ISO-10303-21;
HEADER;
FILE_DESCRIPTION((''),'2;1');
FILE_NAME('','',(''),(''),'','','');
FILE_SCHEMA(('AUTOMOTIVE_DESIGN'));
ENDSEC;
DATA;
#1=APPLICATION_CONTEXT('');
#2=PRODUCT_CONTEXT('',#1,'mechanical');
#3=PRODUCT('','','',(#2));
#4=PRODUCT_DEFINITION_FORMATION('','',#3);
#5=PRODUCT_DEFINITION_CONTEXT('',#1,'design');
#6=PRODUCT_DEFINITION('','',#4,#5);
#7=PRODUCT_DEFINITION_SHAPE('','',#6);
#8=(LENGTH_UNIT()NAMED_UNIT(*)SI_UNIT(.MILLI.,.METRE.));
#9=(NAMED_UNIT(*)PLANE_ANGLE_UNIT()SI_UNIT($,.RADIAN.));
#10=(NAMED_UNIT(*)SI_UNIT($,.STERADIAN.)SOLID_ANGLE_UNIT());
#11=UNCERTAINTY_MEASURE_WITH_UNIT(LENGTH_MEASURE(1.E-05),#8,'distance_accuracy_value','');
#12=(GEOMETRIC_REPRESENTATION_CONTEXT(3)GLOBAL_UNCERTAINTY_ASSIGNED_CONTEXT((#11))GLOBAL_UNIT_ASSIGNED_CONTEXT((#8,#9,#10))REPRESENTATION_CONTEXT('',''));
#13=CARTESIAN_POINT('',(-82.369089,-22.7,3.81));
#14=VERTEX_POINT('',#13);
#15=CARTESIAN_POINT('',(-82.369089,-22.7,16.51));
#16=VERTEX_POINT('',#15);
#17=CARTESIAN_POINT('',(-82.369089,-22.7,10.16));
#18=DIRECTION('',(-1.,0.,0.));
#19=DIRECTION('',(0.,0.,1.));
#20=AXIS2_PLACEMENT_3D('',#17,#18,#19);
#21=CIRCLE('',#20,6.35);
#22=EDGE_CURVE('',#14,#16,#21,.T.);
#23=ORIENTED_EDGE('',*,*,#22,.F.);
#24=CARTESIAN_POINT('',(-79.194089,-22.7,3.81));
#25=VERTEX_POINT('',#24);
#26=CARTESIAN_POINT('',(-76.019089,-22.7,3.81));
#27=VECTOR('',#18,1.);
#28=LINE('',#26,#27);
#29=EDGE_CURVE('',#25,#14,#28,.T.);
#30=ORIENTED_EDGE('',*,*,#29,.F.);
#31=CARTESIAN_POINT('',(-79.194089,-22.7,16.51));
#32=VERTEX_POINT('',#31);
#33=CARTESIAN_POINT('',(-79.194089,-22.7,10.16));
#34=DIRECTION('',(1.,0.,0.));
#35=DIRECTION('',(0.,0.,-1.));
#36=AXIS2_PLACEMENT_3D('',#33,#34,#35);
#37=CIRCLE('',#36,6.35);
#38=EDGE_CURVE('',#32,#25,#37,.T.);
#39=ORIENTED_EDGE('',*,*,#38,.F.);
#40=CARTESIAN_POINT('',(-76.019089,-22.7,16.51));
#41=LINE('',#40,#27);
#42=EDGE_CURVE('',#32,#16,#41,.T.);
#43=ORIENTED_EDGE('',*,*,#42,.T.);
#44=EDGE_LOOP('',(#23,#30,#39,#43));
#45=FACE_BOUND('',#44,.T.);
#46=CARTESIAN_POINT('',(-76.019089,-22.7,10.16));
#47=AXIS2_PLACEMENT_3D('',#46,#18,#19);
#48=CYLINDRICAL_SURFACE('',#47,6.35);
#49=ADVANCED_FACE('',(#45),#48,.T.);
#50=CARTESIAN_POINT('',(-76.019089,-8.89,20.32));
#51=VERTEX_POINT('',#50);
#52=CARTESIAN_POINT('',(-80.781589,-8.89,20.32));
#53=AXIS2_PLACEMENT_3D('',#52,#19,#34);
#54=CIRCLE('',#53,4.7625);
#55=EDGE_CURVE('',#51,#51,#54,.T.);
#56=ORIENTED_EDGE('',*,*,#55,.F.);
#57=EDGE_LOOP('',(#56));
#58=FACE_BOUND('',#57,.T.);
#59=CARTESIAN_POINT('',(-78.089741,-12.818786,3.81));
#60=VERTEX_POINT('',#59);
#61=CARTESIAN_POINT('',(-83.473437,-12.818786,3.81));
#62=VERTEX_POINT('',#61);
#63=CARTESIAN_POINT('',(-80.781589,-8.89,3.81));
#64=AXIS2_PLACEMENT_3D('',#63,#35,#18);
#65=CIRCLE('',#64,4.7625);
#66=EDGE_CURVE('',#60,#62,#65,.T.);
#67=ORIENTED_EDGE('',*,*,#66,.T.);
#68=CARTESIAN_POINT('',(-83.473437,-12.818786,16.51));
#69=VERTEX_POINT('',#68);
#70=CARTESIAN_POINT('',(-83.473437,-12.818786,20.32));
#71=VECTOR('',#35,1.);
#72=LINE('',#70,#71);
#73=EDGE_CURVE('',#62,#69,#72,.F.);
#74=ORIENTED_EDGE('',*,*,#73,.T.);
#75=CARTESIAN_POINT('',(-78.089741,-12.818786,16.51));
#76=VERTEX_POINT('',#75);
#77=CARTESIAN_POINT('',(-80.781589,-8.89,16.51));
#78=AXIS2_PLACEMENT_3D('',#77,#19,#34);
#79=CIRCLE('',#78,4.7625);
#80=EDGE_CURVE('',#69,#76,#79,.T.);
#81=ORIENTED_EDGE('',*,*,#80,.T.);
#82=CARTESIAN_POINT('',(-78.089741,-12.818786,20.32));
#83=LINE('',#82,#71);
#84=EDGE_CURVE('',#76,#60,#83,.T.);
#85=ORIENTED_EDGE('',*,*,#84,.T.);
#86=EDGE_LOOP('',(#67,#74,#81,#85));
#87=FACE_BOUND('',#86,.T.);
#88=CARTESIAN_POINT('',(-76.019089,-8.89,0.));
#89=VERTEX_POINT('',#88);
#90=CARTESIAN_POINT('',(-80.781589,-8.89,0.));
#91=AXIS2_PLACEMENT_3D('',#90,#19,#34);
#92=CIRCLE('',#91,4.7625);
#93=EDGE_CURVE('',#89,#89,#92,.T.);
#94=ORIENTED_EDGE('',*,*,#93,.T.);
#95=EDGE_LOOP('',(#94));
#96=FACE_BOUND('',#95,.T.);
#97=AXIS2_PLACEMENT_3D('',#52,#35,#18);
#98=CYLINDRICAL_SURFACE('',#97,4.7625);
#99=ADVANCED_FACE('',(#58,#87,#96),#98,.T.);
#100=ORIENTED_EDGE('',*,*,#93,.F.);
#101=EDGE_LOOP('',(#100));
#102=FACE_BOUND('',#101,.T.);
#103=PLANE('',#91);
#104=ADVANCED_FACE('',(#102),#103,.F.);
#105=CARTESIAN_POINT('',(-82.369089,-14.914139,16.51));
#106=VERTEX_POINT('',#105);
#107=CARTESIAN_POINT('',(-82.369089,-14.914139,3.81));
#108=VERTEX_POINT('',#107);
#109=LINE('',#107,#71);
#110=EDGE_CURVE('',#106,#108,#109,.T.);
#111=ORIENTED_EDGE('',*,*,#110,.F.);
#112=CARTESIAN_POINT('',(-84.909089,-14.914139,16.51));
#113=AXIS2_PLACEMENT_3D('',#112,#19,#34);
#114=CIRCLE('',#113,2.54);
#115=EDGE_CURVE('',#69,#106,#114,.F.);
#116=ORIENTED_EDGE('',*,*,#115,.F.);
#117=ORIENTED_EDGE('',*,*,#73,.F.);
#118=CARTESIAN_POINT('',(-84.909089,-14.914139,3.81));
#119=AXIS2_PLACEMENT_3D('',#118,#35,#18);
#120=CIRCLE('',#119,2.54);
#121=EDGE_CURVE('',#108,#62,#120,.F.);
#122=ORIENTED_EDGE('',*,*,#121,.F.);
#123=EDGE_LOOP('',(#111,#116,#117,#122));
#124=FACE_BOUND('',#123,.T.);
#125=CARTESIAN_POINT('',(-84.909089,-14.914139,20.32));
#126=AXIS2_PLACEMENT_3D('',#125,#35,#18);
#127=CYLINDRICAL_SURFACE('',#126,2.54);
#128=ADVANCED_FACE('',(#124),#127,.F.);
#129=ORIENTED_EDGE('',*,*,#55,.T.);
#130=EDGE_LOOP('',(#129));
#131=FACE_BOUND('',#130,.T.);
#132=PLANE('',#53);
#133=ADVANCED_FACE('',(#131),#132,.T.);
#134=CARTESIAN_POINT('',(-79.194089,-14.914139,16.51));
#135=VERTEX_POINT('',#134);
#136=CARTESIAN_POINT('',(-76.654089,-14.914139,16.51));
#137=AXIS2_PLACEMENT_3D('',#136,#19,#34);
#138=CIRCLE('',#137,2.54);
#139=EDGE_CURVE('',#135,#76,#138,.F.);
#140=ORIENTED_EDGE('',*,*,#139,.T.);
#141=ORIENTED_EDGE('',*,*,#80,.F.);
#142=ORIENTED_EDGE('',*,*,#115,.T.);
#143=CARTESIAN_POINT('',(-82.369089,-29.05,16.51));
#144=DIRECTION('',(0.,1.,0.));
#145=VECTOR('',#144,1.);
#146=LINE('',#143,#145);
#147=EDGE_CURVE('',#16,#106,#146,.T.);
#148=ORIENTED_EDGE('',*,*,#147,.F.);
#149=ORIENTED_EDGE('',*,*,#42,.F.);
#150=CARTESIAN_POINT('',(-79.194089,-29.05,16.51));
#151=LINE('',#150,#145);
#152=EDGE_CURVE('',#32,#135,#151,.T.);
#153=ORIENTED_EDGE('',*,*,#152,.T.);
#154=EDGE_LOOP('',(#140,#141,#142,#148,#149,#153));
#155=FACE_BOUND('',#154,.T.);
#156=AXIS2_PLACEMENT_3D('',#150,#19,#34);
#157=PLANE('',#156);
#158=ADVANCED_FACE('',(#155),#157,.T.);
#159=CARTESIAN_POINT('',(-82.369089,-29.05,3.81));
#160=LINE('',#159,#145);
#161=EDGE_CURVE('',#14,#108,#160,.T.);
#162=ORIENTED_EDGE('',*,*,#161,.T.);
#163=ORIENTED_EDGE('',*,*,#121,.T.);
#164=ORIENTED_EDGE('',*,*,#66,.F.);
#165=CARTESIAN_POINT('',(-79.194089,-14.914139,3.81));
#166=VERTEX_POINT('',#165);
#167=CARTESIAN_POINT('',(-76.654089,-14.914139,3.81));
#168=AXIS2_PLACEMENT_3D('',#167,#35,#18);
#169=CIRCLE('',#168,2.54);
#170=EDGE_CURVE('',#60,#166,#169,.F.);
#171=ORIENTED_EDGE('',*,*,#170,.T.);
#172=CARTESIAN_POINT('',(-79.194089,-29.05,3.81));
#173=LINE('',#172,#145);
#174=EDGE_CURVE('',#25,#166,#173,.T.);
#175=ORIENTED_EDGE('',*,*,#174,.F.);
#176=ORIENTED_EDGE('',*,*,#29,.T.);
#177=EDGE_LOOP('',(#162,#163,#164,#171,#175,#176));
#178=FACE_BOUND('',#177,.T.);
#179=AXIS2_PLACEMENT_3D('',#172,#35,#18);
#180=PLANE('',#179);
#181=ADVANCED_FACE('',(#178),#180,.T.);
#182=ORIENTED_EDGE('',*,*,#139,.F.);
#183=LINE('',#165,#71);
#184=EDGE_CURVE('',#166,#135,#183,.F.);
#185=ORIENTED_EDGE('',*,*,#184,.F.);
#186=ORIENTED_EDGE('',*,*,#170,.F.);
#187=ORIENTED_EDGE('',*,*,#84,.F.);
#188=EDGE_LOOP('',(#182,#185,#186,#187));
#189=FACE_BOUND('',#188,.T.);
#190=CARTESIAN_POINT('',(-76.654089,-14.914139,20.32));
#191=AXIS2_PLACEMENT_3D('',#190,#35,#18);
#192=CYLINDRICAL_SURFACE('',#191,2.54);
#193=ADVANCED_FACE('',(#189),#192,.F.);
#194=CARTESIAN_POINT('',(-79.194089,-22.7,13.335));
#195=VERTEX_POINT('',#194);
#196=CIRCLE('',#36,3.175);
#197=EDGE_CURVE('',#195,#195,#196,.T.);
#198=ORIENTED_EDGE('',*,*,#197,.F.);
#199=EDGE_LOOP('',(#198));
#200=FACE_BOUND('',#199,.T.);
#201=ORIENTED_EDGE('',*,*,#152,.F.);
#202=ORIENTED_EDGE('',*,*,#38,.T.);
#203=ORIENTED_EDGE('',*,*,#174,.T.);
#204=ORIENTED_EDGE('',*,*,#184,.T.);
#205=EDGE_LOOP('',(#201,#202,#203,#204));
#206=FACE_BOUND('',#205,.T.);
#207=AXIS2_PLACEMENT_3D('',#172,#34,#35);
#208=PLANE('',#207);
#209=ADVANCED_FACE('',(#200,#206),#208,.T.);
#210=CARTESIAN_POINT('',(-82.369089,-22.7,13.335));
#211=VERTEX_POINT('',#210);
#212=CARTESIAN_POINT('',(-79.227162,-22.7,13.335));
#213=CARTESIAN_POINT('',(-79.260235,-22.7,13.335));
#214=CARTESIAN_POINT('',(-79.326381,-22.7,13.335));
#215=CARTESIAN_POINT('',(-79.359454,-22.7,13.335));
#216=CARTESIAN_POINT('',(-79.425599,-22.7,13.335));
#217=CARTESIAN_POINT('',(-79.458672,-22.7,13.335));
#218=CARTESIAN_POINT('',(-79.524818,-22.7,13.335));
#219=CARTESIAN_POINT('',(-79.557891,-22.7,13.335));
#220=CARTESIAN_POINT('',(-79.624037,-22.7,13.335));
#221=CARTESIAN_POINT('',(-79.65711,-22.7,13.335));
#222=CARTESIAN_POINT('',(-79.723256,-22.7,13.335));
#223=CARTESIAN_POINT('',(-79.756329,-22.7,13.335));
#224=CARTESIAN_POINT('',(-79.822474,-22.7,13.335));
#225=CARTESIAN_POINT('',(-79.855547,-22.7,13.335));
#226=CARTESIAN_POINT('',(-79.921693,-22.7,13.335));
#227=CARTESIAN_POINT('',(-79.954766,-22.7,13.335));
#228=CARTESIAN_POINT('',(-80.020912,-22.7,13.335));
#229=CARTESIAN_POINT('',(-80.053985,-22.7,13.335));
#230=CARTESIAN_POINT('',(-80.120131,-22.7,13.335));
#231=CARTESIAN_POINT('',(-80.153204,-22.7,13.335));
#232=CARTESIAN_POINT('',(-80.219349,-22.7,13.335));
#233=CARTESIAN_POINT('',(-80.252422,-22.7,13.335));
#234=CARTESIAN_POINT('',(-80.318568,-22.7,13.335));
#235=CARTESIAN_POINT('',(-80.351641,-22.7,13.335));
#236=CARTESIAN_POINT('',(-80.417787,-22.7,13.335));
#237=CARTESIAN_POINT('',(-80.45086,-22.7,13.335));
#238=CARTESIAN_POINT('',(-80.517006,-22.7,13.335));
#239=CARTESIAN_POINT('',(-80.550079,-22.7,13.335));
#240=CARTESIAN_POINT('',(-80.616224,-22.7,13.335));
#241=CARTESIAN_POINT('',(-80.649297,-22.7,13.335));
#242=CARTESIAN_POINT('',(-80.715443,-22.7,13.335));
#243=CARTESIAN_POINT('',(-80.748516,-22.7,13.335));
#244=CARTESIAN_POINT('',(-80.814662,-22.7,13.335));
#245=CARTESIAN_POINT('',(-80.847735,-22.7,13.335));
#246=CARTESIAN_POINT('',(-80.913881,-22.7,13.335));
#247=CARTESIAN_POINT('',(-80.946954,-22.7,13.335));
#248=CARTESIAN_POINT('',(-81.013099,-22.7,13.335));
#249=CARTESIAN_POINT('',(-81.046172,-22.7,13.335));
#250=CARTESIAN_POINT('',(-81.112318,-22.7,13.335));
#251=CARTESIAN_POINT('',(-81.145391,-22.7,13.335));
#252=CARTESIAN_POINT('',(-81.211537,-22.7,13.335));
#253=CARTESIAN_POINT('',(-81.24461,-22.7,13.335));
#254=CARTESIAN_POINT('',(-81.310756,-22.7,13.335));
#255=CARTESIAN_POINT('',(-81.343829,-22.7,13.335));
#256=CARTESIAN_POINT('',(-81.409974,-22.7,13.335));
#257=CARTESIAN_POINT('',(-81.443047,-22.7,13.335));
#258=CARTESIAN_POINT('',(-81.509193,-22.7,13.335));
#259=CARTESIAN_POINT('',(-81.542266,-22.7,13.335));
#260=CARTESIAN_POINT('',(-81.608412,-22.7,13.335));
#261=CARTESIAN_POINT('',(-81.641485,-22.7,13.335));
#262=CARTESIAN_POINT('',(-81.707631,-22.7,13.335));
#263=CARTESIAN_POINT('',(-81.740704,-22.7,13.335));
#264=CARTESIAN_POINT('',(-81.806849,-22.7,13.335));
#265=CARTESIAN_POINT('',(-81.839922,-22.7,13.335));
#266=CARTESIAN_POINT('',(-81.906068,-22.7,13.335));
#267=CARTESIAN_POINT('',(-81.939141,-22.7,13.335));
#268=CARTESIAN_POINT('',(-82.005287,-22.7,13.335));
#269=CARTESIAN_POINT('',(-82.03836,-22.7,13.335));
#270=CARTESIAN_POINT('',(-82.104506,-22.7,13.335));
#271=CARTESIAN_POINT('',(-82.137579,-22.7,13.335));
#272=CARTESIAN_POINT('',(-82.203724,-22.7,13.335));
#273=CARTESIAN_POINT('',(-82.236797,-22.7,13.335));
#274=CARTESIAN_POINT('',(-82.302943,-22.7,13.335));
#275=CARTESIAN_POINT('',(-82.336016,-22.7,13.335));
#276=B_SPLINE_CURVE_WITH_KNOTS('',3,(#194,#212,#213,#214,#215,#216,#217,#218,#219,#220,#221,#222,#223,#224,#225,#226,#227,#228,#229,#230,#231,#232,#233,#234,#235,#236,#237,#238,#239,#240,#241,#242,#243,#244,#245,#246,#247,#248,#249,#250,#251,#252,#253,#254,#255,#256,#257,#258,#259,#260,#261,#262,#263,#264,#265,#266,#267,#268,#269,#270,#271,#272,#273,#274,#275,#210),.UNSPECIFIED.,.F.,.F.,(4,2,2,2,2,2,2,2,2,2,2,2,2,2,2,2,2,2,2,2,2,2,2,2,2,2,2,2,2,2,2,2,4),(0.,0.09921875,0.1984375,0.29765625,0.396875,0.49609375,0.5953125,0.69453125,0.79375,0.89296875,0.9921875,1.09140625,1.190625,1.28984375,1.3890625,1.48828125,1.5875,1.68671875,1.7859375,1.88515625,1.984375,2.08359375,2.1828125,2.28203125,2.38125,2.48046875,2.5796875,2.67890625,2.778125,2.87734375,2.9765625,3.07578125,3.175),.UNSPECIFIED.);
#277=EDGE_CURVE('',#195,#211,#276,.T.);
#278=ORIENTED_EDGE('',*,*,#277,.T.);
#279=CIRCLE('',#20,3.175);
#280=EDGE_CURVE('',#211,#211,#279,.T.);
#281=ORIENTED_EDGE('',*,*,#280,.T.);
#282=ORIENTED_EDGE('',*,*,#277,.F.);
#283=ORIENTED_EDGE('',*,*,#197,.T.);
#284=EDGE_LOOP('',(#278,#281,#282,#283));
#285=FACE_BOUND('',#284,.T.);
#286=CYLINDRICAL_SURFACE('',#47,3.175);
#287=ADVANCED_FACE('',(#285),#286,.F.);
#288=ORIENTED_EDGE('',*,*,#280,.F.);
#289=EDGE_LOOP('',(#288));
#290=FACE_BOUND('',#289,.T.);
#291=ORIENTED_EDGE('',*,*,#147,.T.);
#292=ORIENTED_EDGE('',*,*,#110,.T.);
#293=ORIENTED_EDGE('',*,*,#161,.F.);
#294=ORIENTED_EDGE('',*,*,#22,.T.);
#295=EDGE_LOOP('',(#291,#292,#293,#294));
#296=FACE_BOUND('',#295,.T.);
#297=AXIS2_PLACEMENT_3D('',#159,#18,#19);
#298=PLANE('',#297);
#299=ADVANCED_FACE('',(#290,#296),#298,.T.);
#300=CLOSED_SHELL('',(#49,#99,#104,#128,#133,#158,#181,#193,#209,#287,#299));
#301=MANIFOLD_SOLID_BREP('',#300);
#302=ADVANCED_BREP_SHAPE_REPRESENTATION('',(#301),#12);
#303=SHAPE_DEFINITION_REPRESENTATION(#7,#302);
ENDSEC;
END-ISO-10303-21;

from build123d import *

# Parameters (mm, degrees)
SKETCH1_R           = 4.7625
BOSS_EXTRUDE1_DEPTH = 20.32
SKETCH2_W           = 3.175
SKETCH2_H           = 12.7
BOSS_EXTRUDE2_DEPTH = 19.05
CUT_EXTRUDE1_DEPTH  = 37.015654929
SKETCH4_R           = 3.175
CUT_EXTRUDE2_DEPTH  = 37.015654929
FILLET1_R           = 2.54


with BuildPart() as part:
    # Sketch1 → Boss-Extrude1 (new body)
    with BuildSketch(Plane.XY):
        with Locations((-80.781588965, -8.89)):
            Circle(SKETCH1_R)
    extrude(amount=BOSS_EXTRUDE1_DEPTH)

    # Sketch2 → Boss-Extrude2 (add)
    with BuildSketch(Plane(origin=(0, -10, 0), x_dir=(1, 0, 0), z_dir=(0, 1, 0))):
        with Locations((-80.781588965, -10.16)):
            Rectangle(SKETCH2_W, SKETCH2_H)
    extrude(amount=-BOSS_EXTRUDE2_DEPTH)

    # Sketch3 → Cut-Extrude1 (cut, through all)
    with BuildSketch(Plane.ZY.offset(82.369088965)):
        with BuildLine():
            ThreePointArc((16.51, -22.7), (14.650128061, -27.190128061), (10.16, -29.05))
            Line((10.16, -29.05), (16.51, -29.05))
            Line((16.51, -29.05), (16.51, -22.7))
        make_face()
        with BuildLine():
            ThreePointArc((10.16, -29.05), (5.669871939, -27.190128061), (3.81, -22.7))
            Line((3.81, -22.7), (3.81, -29.05))
            Line((3.81, -29.05), (10.16, -29.05))
        make_face()
    extrude(amount=-CUT_EXTRUDE1_DEPTH, mode=Mode.SUBTRACT)

    # Sketch4 → Cut-Extrude2 (cut, through all)
    with BuildSketch(Plane.ZY.offset(82.369088965)):
        with Locations((10.16, -22.7)):
            Circle(SKETCH4_R)
    extrude(amount=-CUT_EXTRUDE2_DEPTH, mode=Mode.SUBTRACT)

    # Fillet1
    fillet1_edges = [part.edges().sort_by_distance(p)[0] for p in [
        (-82.369088965, -13.380128061, 10.16),
        (-79.194088965, -13.380128061, 10.16),
    ]]
    fillet(fillet1_edges, radius=FILLET1_R)


solid = part.part
